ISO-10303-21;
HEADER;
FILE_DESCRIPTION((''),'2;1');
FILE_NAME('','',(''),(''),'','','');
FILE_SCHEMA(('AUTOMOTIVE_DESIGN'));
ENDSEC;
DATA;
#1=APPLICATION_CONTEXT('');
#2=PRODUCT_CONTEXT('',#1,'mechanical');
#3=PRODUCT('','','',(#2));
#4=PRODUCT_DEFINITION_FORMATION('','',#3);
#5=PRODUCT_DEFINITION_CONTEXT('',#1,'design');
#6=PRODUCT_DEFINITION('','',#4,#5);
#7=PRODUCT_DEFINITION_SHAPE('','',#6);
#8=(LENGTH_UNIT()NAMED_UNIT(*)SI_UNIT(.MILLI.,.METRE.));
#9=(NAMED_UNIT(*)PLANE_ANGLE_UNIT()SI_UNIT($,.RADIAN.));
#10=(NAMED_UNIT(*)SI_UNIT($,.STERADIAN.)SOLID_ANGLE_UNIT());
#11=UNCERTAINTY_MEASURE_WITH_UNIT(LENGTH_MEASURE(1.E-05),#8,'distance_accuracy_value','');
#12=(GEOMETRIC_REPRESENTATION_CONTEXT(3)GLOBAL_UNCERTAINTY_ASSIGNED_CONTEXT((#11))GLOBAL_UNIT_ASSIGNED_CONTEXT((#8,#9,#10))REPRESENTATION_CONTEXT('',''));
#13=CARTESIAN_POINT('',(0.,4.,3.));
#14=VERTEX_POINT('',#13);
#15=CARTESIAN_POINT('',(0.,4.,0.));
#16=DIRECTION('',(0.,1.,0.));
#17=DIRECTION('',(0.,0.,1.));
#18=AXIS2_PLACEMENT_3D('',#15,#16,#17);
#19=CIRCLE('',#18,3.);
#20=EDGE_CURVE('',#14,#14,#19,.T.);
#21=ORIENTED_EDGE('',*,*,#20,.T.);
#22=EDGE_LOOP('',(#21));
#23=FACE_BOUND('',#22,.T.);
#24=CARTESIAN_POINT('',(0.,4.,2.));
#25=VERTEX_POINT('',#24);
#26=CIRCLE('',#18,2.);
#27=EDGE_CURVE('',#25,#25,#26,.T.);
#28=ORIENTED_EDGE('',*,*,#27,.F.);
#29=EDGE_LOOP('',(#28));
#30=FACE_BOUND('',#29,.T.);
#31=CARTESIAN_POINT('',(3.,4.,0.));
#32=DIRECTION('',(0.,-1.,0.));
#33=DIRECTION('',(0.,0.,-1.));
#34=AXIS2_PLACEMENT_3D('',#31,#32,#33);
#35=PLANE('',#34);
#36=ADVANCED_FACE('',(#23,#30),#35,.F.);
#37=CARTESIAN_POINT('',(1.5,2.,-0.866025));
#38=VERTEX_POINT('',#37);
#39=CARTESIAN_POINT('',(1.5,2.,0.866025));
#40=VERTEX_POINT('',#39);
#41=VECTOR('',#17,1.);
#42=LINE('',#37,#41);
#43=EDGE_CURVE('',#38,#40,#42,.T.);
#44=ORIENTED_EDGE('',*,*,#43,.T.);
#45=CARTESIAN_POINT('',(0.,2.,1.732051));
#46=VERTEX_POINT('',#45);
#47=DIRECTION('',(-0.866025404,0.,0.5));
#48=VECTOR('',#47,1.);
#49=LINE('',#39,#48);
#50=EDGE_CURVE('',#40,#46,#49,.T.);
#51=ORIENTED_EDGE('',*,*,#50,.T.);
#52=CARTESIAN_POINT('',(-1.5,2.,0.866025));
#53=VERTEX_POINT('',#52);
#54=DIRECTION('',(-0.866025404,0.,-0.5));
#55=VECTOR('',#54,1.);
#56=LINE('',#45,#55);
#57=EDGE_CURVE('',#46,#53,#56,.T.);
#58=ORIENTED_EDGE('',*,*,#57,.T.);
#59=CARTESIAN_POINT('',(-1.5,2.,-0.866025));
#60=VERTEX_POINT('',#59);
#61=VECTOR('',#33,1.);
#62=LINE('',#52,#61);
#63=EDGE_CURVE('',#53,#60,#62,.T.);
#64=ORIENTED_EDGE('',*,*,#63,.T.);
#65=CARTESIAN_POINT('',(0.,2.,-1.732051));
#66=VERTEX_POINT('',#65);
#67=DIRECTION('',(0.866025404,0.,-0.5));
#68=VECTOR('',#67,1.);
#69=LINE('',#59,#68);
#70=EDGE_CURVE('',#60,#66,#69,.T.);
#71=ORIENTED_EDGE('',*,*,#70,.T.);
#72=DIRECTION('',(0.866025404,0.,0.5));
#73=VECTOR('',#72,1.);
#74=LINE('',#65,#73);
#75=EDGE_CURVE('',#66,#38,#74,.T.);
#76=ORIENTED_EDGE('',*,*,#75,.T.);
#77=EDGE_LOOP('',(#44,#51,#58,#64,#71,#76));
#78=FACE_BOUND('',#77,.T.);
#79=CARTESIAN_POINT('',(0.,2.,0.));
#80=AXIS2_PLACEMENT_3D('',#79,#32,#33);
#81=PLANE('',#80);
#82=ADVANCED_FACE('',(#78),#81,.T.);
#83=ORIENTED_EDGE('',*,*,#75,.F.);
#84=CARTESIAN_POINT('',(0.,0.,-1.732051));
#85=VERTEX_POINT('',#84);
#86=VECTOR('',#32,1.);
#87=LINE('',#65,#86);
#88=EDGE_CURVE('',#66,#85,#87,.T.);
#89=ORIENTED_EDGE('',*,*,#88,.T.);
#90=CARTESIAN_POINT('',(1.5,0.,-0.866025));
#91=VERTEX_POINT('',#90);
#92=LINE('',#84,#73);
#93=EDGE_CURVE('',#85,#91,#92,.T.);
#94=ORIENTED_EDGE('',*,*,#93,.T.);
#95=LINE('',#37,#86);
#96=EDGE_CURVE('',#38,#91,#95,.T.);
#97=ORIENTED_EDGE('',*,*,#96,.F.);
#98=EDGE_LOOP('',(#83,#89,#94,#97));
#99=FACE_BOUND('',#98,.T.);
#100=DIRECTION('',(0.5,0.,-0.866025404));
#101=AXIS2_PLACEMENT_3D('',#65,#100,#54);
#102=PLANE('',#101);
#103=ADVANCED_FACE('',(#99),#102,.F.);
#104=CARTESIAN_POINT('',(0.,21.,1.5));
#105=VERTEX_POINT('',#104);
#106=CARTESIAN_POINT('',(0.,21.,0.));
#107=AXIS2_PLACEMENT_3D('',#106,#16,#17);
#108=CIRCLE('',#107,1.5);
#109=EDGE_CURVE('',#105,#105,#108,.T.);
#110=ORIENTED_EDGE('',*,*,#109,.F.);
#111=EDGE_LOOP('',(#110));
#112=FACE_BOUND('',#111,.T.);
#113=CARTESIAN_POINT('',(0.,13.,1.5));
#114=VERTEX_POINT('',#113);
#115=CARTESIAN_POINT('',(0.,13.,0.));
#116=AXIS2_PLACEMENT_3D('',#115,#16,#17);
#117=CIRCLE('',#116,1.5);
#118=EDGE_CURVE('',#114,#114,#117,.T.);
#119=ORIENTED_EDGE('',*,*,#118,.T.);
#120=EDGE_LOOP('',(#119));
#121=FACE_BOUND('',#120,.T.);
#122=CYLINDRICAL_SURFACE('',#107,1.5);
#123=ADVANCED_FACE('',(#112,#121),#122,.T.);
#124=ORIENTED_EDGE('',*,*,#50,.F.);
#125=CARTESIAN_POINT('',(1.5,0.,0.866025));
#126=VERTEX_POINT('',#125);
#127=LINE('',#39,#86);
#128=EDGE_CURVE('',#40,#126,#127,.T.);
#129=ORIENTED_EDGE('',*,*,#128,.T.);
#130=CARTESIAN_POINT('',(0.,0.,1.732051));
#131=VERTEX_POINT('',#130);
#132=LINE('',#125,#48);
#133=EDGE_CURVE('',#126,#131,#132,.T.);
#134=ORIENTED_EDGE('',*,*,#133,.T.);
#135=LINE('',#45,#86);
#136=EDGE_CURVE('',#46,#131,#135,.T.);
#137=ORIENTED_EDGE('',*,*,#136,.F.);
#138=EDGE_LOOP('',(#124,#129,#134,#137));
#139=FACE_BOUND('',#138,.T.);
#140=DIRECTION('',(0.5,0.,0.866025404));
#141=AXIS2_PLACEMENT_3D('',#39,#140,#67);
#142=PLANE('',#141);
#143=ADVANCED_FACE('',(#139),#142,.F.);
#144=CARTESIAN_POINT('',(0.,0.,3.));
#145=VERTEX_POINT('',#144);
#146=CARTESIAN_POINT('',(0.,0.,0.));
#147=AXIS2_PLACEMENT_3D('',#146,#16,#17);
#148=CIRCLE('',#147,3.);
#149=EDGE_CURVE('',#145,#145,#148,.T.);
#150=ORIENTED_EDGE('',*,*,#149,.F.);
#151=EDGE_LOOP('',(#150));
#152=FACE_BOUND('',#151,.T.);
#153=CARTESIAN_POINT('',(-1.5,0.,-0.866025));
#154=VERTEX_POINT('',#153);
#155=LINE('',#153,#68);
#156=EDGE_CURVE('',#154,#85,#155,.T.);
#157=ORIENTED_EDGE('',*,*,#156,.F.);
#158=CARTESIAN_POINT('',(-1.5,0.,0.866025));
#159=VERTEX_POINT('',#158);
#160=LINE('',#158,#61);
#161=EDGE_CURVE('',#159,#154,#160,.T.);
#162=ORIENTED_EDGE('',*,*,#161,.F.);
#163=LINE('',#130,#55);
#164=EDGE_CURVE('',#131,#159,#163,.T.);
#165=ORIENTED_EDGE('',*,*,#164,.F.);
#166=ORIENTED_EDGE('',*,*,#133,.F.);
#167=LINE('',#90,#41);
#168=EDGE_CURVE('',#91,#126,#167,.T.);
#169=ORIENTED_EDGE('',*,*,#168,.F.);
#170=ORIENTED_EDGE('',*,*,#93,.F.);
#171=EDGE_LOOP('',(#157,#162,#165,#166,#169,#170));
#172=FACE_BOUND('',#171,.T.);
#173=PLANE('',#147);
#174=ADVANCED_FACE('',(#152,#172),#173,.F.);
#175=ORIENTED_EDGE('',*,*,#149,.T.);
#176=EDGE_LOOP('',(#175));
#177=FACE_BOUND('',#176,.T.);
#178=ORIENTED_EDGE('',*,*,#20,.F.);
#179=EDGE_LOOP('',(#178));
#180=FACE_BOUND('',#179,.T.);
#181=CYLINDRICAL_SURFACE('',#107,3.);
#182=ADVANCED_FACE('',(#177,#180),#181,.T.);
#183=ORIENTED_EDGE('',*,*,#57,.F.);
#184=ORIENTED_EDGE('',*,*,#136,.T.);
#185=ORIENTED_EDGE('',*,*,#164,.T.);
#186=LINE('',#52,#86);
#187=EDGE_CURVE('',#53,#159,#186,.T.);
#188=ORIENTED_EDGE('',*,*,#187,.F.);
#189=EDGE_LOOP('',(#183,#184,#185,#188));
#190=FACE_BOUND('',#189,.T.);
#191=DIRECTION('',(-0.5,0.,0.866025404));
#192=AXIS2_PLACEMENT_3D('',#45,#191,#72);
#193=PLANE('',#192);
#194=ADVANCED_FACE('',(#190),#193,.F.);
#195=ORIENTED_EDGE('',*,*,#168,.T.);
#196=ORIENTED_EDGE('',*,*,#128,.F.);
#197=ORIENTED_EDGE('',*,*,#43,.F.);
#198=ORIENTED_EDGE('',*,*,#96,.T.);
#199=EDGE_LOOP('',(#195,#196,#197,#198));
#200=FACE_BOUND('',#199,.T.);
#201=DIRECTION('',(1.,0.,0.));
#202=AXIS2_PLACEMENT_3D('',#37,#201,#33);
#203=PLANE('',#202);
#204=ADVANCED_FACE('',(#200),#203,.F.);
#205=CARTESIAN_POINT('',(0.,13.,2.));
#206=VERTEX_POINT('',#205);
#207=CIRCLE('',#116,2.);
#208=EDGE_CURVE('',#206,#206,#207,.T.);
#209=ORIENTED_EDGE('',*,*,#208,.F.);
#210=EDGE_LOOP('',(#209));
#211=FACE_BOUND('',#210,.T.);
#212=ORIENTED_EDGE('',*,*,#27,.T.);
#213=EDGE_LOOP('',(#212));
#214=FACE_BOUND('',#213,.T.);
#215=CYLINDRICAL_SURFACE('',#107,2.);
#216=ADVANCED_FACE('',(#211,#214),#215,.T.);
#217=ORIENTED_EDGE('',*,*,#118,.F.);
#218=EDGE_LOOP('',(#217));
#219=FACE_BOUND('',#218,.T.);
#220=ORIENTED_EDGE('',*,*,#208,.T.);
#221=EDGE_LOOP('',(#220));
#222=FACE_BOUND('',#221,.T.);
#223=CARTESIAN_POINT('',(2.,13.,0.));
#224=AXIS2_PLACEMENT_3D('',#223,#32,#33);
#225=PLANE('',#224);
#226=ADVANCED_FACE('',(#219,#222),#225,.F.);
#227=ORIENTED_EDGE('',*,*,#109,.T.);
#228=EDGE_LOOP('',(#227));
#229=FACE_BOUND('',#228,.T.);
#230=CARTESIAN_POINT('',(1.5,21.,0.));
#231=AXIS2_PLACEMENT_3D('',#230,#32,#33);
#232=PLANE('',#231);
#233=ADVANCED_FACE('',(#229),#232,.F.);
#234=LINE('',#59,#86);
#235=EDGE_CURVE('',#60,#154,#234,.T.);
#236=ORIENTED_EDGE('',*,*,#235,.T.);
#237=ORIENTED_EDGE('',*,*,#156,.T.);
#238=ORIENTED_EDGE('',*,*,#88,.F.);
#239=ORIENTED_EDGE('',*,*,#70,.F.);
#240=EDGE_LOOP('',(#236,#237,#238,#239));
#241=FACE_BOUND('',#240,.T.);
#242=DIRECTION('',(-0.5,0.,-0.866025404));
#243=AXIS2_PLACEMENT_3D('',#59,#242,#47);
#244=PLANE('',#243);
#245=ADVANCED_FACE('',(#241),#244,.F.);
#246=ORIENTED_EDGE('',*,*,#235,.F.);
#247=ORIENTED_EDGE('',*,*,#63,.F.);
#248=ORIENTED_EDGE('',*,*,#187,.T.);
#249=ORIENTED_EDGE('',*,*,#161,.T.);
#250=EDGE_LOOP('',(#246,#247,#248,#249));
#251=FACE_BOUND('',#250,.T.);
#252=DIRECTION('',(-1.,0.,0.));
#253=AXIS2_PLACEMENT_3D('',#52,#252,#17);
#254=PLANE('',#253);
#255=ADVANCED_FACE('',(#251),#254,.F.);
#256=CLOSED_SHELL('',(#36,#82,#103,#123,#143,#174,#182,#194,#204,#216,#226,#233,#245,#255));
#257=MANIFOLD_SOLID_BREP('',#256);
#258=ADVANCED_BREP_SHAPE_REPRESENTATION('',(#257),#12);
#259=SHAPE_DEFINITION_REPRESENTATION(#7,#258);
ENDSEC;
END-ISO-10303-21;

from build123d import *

# Parameters (mm, degrees)
CUT_EXTRUDE1_DEPTH = 2


with BuildPart() as part:
    # Sketch1 → Revolve1 (revolve)
    with BuildSketch(Plane.XY, mode=Mode.PRIVATE) as revolve1_sk:
        Polygon((0, 0), (3, 0), (3, 4), (2, 4), (2, 13), (1.5, 13), (1.5, 21), (0, 21), align=None)
    revolve(revolve1_sk.sketch.rotate(Axis((0, 21, 0), (0, -1, 0)), 90), axis=Axis((0, 21, 0), (0, -1, 0)))

    # Sketch2 → Cut-Extrude1 (cut)
    with BuildSketch(Plane.XZ):
        Polygon((0, -1.732050808), (1.5, -0.866025404), (1.5, 0.866025404), (0, 1.732050808), (-1.5, 0.866025404), (-1.5, -0.866025404), align=None)
    extrude(amount=-CUT_EXTRUDE1_DEPTH, mode=Mode.SUBTRACT)


solid = part.part
